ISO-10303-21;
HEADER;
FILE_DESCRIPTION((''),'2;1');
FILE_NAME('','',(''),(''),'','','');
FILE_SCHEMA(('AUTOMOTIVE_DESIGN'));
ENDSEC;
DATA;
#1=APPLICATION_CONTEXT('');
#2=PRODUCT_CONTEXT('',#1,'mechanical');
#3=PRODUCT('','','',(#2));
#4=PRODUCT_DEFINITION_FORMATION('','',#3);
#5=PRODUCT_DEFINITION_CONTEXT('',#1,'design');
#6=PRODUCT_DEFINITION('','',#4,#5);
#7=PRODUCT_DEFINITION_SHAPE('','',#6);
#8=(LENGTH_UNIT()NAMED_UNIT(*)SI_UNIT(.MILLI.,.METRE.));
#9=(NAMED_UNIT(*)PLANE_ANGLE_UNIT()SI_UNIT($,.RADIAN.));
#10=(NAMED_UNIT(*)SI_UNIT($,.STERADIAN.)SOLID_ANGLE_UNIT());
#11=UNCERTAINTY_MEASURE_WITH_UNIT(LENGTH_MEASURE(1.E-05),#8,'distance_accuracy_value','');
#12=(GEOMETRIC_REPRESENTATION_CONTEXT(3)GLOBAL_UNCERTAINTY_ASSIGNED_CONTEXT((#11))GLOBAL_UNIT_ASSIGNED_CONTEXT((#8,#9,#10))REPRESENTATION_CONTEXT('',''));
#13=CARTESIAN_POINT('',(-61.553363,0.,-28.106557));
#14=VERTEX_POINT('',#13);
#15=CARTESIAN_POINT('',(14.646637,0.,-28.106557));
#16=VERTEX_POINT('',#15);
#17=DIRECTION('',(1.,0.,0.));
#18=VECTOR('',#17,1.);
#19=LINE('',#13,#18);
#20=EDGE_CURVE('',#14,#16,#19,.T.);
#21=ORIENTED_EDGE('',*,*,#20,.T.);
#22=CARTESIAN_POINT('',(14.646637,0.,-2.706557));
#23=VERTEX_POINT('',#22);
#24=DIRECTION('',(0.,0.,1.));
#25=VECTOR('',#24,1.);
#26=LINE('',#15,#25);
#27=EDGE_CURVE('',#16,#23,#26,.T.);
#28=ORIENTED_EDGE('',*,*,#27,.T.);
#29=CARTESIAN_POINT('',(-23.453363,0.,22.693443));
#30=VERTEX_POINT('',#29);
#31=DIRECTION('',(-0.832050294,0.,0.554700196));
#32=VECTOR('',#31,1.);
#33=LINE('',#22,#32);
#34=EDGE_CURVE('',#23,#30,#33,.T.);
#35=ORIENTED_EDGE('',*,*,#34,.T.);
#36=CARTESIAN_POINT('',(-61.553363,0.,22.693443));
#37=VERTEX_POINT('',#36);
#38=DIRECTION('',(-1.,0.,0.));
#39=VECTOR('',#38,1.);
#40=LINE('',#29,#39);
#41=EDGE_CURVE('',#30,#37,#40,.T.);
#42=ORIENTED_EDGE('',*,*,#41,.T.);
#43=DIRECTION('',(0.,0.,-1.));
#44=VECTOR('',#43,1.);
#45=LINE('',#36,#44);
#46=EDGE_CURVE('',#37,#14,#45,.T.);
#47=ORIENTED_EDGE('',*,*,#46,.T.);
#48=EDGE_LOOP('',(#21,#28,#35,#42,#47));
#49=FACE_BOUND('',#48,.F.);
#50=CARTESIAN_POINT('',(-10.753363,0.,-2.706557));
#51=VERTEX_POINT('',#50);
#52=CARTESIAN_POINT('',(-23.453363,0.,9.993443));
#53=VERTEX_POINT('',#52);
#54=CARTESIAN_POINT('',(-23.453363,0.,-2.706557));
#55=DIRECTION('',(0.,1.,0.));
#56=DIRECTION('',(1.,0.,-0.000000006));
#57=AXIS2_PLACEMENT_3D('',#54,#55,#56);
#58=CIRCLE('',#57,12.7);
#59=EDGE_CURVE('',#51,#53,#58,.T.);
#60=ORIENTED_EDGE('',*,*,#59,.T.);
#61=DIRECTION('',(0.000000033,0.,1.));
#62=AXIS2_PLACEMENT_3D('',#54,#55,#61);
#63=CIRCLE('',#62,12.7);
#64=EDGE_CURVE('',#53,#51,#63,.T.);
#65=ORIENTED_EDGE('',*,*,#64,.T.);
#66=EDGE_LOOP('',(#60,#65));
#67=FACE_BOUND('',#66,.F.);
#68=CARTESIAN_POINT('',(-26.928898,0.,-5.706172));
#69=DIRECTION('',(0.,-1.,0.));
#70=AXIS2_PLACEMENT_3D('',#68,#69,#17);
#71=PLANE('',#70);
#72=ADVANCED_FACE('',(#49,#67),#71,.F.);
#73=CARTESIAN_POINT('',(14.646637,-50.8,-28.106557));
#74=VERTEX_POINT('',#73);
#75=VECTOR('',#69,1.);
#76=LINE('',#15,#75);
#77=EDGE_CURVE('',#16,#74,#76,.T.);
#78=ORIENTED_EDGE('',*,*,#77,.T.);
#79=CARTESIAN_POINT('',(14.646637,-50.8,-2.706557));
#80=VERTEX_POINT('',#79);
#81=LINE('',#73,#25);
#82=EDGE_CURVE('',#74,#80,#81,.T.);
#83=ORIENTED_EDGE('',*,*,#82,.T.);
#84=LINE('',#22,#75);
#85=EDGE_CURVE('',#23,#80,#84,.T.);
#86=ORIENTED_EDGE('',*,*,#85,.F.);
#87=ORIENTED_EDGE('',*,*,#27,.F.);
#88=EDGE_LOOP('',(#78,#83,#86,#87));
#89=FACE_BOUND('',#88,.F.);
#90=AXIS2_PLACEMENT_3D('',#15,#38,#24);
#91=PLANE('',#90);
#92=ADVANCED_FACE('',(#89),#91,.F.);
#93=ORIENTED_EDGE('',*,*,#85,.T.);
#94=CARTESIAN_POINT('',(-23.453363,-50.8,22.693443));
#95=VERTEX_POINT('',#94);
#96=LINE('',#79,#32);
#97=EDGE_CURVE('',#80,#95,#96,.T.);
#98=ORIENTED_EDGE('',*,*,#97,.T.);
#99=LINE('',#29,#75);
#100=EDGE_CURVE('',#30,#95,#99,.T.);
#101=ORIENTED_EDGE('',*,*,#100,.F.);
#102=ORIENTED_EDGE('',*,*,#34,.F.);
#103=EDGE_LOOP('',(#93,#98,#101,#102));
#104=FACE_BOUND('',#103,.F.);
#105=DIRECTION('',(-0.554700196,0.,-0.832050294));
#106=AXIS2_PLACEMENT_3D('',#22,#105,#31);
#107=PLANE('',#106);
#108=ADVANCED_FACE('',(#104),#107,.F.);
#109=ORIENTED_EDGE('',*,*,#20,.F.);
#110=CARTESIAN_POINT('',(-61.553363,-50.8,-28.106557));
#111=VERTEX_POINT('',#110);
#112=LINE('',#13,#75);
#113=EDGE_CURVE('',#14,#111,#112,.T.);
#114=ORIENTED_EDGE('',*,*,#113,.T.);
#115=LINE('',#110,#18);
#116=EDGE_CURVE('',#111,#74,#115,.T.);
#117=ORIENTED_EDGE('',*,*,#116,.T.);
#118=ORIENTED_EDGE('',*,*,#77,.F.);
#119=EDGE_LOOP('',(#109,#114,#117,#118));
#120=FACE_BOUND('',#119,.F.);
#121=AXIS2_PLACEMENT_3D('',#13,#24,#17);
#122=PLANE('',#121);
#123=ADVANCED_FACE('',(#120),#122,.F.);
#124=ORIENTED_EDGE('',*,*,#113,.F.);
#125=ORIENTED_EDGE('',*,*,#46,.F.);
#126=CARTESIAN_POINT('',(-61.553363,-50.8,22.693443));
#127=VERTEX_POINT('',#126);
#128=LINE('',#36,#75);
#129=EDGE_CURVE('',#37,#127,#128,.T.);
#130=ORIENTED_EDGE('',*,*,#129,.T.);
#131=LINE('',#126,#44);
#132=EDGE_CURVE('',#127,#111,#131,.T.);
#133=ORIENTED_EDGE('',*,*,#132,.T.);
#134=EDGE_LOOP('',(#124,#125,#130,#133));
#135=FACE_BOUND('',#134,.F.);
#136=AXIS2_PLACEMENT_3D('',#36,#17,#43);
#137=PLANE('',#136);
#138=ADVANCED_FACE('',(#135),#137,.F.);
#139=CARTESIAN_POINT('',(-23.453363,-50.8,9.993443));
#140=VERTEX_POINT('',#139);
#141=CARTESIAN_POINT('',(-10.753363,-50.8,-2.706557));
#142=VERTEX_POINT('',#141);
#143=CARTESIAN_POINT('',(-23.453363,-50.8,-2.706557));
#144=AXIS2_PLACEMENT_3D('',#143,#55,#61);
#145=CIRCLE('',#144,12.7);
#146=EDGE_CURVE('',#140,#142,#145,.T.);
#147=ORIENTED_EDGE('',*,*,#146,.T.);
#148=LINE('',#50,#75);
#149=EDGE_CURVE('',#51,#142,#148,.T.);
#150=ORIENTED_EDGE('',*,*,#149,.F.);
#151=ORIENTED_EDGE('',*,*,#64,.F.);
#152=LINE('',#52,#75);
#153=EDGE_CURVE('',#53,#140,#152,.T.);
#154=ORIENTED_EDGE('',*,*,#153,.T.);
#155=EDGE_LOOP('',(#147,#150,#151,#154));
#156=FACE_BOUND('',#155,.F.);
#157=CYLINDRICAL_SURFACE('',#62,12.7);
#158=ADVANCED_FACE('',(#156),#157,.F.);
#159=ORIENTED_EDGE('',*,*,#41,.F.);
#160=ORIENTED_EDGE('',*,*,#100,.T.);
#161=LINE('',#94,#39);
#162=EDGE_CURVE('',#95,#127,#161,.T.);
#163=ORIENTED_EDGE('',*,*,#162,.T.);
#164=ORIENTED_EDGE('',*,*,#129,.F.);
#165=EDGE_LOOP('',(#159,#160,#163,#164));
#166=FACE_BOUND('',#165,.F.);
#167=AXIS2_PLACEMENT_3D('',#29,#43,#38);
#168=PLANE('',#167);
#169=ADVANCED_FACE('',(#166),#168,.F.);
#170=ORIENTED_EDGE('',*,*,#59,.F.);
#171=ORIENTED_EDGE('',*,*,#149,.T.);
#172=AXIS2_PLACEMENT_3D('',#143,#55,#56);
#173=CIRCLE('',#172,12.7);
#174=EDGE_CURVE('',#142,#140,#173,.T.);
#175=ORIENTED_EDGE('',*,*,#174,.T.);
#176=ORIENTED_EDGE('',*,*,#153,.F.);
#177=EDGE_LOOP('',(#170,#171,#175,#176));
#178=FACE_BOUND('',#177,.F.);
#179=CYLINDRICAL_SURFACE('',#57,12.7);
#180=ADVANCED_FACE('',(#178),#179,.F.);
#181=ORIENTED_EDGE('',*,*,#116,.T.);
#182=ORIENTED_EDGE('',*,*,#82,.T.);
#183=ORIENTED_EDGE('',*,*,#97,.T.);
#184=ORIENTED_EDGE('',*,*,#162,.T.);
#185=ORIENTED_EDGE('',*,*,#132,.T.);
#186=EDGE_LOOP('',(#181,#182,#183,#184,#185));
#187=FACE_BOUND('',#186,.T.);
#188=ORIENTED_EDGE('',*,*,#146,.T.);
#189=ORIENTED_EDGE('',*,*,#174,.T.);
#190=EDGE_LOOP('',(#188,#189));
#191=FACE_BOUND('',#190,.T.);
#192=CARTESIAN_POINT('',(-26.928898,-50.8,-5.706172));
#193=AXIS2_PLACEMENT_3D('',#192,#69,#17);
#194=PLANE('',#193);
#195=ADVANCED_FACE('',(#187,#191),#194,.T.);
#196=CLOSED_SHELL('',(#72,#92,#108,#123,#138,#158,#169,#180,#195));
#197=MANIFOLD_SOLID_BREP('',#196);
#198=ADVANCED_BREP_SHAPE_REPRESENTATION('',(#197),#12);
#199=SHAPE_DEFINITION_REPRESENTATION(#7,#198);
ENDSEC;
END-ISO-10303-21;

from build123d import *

# Parameters (mm, degrees)
F1_DEPTH = 50.8


with BuildPart() as f1:
    # F0 (on Front) → F1 (new body)
    with BuildSketch(Plane.XZ):
        Polygon((-61.553363, 22.693443), (-61.553363, -28.106557), (14.646637, -28.106557), (14.646637, -2.706557), (-23.453363, 22.693443), align=None)
        with BuildLine():
            ThreePointArc((-10.753363, -2.706557), (-32.433619, -11.686813), (-23.453363, 9.993443))
            ThreePointArc((-23.453363, 9.993443), (-14.473107, 6.273699), (-10.753363, -2.706557))
        make_face(mode=Mode.SUBTRACT)
    extrude(amount=F1_DEPTH)


solid = f1.part
